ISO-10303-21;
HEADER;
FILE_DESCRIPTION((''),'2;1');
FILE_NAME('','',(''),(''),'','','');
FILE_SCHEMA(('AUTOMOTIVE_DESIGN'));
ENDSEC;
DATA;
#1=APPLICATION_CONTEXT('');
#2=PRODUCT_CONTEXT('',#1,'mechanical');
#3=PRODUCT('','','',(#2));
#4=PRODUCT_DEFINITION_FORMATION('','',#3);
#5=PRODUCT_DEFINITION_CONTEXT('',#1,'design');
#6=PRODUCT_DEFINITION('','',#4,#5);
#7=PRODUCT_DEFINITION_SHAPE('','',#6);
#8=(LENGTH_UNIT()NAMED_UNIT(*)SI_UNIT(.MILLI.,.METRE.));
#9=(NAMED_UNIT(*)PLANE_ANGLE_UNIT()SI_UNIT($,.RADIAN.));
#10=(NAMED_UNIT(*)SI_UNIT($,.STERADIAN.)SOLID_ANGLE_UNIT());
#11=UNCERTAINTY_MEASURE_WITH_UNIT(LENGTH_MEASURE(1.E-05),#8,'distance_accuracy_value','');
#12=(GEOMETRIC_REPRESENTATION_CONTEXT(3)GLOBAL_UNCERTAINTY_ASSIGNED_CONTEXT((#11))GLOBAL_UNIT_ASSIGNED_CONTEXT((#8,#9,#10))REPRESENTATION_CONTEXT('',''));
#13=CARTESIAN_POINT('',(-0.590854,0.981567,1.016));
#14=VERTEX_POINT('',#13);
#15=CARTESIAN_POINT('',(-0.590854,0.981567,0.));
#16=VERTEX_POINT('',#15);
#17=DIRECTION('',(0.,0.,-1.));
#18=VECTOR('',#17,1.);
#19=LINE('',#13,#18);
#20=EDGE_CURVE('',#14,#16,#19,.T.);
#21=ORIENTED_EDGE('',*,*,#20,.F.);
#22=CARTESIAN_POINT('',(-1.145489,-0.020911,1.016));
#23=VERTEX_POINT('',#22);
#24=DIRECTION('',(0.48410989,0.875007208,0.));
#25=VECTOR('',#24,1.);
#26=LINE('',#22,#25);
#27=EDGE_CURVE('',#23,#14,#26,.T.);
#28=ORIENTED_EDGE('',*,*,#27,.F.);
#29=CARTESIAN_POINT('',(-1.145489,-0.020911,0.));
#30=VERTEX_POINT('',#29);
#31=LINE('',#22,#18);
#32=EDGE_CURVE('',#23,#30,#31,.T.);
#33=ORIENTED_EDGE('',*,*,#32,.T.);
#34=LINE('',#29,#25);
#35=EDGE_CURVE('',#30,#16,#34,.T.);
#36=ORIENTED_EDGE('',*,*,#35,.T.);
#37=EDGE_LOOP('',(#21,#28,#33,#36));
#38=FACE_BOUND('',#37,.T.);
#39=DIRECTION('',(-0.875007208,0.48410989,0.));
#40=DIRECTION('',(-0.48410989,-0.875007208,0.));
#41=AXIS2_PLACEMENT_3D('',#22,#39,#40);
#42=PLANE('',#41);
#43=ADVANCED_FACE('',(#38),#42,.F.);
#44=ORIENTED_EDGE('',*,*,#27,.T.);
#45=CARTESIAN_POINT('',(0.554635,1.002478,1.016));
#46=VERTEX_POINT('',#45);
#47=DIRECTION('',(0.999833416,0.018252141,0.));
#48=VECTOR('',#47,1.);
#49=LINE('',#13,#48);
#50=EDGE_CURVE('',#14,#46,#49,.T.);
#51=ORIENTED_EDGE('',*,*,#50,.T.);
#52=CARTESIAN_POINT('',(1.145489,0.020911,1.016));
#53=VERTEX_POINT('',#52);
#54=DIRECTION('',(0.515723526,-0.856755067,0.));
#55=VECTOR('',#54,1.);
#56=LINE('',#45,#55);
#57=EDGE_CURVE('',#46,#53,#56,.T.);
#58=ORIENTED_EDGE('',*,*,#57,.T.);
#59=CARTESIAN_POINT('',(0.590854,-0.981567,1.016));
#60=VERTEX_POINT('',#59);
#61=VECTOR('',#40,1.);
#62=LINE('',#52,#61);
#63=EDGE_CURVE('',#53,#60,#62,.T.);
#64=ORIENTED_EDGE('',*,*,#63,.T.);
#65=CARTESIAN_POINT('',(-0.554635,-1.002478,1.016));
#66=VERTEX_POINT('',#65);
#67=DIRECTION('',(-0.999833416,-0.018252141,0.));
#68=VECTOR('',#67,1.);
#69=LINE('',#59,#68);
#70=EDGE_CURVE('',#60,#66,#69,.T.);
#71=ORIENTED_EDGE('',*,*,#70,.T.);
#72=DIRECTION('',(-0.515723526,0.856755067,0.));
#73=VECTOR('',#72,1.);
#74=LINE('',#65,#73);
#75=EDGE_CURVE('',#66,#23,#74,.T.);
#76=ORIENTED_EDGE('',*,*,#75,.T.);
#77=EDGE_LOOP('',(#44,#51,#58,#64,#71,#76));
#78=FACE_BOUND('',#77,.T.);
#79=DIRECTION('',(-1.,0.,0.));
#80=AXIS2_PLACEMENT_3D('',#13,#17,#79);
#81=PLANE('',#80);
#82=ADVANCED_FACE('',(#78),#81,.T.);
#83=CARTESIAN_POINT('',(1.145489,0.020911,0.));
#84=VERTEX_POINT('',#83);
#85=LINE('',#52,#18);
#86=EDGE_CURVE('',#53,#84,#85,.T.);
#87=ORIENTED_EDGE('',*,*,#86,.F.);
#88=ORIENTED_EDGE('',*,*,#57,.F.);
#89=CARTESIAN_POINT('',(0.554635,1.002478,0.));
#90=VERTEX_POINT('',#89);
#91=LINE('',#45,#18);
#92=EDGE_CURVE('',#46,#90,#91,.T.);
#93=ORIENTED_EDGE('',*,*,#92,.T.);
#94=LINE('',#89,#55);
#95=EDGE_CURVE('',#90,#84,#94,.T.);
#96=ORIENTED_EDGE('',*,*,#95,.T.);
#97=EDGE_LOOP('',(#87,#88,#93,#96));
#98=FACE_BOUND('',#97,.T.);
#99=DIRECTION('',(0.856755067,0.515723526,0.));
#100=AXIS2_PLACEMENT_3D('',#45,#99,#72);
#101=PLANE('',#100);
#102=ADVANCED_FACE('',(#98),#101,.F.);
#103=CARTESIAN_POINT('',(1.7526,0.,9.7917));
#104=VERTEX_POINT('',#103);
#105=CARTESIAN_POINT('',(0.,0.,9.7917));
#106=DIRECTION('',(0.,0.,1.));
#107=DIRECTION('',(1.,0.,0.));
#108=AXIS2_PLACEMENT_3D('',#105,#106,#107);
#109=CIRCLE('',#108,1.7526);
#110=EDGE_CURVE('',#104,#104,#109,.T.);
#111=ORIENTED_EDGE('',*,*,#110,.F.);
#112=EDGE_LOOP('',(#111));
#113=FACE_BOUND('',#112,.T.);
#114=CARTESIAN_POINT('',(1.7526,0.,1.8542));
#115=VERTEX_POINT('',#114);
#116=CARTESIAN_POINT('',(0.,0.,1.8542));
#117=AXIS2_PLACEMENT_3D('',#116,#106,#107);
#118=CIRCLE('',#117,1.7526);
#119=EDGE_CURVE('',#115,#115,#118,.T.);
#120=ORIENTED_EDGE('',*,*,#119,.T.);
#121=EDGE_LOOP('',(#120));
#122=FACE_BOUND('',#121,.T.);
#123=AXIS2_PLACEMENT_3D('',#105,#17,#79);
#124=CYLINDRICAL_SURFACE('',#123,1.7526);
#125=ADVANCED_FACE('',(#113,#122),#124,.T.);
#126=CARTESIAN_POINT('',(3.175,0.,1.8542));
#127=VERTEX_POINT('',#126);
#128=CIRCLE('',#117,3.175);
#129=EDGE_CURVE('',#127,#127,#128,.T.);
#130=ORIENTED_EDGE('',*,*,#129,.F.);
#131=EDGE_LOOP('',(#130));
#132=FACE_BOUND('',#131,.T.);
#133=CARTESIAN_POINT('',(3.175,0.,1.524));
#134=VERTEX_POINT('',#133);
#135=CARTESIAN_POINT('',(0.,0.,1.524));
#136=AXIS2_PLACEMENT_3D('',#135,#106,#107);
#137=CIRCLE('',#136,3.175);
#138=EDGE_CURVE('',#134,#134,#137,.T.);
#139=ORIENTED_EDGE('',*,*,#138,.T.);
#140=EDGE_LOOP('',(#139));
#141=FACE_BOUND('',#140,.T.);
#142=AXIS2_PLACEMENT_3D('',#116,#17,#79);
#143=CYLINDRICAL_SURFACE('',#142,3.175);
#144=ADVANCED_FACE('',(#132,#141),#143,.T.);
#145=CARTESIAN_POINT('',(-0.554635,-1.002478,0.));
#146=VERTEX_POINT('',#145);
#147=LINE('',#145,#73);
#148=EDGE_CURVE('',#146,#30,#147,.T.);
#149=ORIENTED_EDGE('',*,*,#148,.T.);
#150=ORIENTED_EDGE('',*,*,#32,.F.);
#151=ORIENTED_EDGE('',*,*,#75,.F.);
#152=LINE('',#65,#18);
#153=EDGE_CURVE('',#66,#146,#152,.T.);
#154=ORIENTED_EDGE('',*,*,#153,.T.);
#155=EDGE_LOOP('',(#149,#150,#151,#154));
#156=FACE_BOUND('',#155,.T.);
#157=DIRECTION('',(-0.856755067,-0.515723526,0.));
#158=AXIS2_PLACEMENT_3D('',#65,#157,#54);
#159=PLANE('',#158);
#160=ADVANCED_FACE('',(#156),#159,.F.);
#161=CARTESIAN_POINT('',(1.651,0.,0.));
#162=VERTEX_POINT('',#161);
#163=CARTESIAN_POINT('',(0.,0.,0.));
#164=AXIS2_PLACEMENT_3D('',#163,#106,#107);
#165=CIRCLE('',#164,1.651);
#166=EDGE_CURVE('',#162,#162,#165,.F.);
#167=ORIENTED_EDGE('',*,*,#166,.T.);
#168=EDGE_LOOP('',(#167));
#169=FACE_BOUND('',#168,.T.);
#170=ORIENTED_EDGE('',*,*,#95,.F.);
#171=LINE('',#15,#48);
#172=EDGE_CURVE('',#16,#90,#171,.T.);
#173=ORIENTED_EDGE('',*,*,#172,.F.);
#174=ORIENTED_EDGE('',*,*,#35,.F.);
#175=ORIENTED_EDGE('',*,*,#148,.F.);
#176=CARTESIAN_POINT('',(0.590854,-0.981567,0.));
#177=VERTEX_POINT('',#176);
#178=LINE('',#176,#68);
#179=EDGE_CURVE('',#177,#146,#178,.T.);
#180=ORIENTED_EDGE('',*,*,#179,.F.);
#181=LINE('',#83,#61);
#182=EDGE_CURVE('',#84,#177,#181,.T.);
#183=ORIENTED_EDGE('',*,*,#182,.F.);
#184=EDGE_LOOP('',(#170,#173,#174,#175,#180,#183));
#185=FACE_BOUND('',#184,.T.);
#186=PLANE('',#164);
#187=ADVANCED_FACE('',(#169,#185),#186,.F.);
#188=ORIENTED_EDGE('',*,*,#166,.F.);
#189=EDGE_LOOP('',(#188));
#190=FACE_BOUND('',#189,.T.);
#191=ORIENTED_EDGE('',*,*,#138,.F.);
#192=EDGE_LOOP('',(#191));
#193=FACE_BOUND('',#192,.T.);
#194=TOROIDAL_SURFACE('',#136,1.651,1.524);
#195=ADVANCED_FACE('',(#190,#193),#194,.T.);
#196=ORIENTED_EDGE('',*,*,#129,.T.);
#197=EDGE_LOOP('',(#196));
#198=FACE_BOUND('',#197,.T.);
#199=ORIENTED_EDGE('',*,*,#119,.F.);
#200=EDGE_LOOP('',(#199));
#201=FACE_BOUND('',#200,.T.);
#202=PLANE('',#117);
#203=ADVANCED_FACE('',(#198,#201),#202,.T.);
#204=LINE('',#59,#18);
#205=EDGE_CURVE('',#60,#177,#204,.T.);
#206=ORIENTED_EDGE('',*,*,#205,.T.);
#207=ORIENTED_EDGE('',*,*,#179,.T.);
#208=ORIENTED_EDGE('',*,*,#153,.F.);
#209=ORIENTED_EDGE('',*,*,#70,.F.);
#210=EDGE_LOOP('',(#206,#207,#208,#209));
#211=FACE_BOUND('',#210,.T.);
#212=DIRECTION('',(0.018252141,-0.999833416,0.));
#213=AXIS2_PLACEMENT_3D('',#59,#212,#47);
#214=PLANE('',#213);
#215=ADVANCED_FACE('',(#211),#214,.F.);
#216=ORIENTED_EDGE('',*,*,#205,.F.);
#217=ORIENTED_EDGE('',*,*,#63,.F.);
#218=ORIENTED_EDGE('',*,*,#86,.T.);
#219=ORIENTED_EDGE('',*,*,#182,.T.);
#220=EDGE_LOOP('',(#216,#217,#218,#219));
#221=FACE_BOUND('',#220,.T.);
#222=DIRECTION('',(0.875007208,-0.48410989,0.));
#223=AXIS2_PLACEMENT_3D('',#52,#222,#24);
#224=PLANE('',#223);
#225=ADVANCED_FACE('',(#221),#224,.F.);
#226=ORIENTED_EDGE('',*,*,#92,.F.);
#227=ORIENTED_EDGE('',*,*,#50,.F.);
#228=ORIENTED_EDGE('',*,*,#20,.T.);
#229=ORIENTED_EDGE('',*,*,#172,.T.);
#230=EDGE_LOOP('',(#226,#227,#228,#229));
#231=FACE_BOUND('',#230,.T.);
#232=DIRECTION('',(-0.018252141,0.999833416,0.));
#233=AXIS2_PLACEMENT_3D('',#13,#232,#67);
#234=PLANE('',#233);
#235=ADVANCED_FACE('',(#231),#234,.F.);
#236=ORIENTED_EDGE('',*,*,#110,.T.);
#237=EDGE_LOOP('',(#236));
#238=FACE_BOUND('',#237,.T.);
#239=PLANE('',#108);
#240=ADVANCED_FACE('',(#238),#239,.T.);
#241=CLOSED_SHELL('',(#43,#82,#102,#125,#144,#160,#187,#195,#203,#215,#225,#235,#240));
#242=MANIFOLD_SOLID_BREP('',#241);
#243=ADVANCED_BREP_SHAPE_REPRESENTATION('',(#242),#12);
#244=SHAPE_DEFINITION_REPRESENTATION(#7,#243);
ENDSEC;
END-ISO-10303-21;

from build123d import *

# Parameters (mm, degrees)
SKETCH1_R      = 3.175
EXTRUDE1_DEPTH = 1.8542
FILLET1_R      = 1.524
SKETCH2_R      = 1.7526
EXTRUDE2_DEPTH = 7.9375
EXTRUDE3_DEPTH = 1.016


with BuildPart() as part:
    # Sketch1 → Extrude1 (new body)
    with BuildSketch(Plane.XY):
        Circle(SKETCH1_R)
    extrude(amount=EXTRUDE1_DEPTH)

    # Fillet1
    fillet1_edges = [part.edges().sort_by_distance(p)[0] for p in [
        (-3.175, 0, 0),
    ]]
    fillet(fillet1_edges, radius=FILLET1_R)

    # Sketch2 → Extrude2 (add)
    with BuildSketch(Plane.XY.offset(1.8542)):
        Circle(SKETCH2_R)
    extrude(amount=EXTRUDE2_DEPTH)

    # Sketch3 → Extrude3 (cut)
    with BuildSketch(Plane(origin=(0, 0, 0), x_dir=(-1, 0, 0), z_dir=(0, 0, -1))):
        Polygon((0.59085384, 0.981566666), (-0.554634748, 1.002477769), (-1.145488588, 0.020911103), (-0.59085384, -0.981566666), (0.554634748, -1.002477769), (1.145488588, -0.020911103), align=None)
    extrude(amount=-EXTRUDE3_DEPTH, mode=Mode.SUBTRACT)


solid = part.part
